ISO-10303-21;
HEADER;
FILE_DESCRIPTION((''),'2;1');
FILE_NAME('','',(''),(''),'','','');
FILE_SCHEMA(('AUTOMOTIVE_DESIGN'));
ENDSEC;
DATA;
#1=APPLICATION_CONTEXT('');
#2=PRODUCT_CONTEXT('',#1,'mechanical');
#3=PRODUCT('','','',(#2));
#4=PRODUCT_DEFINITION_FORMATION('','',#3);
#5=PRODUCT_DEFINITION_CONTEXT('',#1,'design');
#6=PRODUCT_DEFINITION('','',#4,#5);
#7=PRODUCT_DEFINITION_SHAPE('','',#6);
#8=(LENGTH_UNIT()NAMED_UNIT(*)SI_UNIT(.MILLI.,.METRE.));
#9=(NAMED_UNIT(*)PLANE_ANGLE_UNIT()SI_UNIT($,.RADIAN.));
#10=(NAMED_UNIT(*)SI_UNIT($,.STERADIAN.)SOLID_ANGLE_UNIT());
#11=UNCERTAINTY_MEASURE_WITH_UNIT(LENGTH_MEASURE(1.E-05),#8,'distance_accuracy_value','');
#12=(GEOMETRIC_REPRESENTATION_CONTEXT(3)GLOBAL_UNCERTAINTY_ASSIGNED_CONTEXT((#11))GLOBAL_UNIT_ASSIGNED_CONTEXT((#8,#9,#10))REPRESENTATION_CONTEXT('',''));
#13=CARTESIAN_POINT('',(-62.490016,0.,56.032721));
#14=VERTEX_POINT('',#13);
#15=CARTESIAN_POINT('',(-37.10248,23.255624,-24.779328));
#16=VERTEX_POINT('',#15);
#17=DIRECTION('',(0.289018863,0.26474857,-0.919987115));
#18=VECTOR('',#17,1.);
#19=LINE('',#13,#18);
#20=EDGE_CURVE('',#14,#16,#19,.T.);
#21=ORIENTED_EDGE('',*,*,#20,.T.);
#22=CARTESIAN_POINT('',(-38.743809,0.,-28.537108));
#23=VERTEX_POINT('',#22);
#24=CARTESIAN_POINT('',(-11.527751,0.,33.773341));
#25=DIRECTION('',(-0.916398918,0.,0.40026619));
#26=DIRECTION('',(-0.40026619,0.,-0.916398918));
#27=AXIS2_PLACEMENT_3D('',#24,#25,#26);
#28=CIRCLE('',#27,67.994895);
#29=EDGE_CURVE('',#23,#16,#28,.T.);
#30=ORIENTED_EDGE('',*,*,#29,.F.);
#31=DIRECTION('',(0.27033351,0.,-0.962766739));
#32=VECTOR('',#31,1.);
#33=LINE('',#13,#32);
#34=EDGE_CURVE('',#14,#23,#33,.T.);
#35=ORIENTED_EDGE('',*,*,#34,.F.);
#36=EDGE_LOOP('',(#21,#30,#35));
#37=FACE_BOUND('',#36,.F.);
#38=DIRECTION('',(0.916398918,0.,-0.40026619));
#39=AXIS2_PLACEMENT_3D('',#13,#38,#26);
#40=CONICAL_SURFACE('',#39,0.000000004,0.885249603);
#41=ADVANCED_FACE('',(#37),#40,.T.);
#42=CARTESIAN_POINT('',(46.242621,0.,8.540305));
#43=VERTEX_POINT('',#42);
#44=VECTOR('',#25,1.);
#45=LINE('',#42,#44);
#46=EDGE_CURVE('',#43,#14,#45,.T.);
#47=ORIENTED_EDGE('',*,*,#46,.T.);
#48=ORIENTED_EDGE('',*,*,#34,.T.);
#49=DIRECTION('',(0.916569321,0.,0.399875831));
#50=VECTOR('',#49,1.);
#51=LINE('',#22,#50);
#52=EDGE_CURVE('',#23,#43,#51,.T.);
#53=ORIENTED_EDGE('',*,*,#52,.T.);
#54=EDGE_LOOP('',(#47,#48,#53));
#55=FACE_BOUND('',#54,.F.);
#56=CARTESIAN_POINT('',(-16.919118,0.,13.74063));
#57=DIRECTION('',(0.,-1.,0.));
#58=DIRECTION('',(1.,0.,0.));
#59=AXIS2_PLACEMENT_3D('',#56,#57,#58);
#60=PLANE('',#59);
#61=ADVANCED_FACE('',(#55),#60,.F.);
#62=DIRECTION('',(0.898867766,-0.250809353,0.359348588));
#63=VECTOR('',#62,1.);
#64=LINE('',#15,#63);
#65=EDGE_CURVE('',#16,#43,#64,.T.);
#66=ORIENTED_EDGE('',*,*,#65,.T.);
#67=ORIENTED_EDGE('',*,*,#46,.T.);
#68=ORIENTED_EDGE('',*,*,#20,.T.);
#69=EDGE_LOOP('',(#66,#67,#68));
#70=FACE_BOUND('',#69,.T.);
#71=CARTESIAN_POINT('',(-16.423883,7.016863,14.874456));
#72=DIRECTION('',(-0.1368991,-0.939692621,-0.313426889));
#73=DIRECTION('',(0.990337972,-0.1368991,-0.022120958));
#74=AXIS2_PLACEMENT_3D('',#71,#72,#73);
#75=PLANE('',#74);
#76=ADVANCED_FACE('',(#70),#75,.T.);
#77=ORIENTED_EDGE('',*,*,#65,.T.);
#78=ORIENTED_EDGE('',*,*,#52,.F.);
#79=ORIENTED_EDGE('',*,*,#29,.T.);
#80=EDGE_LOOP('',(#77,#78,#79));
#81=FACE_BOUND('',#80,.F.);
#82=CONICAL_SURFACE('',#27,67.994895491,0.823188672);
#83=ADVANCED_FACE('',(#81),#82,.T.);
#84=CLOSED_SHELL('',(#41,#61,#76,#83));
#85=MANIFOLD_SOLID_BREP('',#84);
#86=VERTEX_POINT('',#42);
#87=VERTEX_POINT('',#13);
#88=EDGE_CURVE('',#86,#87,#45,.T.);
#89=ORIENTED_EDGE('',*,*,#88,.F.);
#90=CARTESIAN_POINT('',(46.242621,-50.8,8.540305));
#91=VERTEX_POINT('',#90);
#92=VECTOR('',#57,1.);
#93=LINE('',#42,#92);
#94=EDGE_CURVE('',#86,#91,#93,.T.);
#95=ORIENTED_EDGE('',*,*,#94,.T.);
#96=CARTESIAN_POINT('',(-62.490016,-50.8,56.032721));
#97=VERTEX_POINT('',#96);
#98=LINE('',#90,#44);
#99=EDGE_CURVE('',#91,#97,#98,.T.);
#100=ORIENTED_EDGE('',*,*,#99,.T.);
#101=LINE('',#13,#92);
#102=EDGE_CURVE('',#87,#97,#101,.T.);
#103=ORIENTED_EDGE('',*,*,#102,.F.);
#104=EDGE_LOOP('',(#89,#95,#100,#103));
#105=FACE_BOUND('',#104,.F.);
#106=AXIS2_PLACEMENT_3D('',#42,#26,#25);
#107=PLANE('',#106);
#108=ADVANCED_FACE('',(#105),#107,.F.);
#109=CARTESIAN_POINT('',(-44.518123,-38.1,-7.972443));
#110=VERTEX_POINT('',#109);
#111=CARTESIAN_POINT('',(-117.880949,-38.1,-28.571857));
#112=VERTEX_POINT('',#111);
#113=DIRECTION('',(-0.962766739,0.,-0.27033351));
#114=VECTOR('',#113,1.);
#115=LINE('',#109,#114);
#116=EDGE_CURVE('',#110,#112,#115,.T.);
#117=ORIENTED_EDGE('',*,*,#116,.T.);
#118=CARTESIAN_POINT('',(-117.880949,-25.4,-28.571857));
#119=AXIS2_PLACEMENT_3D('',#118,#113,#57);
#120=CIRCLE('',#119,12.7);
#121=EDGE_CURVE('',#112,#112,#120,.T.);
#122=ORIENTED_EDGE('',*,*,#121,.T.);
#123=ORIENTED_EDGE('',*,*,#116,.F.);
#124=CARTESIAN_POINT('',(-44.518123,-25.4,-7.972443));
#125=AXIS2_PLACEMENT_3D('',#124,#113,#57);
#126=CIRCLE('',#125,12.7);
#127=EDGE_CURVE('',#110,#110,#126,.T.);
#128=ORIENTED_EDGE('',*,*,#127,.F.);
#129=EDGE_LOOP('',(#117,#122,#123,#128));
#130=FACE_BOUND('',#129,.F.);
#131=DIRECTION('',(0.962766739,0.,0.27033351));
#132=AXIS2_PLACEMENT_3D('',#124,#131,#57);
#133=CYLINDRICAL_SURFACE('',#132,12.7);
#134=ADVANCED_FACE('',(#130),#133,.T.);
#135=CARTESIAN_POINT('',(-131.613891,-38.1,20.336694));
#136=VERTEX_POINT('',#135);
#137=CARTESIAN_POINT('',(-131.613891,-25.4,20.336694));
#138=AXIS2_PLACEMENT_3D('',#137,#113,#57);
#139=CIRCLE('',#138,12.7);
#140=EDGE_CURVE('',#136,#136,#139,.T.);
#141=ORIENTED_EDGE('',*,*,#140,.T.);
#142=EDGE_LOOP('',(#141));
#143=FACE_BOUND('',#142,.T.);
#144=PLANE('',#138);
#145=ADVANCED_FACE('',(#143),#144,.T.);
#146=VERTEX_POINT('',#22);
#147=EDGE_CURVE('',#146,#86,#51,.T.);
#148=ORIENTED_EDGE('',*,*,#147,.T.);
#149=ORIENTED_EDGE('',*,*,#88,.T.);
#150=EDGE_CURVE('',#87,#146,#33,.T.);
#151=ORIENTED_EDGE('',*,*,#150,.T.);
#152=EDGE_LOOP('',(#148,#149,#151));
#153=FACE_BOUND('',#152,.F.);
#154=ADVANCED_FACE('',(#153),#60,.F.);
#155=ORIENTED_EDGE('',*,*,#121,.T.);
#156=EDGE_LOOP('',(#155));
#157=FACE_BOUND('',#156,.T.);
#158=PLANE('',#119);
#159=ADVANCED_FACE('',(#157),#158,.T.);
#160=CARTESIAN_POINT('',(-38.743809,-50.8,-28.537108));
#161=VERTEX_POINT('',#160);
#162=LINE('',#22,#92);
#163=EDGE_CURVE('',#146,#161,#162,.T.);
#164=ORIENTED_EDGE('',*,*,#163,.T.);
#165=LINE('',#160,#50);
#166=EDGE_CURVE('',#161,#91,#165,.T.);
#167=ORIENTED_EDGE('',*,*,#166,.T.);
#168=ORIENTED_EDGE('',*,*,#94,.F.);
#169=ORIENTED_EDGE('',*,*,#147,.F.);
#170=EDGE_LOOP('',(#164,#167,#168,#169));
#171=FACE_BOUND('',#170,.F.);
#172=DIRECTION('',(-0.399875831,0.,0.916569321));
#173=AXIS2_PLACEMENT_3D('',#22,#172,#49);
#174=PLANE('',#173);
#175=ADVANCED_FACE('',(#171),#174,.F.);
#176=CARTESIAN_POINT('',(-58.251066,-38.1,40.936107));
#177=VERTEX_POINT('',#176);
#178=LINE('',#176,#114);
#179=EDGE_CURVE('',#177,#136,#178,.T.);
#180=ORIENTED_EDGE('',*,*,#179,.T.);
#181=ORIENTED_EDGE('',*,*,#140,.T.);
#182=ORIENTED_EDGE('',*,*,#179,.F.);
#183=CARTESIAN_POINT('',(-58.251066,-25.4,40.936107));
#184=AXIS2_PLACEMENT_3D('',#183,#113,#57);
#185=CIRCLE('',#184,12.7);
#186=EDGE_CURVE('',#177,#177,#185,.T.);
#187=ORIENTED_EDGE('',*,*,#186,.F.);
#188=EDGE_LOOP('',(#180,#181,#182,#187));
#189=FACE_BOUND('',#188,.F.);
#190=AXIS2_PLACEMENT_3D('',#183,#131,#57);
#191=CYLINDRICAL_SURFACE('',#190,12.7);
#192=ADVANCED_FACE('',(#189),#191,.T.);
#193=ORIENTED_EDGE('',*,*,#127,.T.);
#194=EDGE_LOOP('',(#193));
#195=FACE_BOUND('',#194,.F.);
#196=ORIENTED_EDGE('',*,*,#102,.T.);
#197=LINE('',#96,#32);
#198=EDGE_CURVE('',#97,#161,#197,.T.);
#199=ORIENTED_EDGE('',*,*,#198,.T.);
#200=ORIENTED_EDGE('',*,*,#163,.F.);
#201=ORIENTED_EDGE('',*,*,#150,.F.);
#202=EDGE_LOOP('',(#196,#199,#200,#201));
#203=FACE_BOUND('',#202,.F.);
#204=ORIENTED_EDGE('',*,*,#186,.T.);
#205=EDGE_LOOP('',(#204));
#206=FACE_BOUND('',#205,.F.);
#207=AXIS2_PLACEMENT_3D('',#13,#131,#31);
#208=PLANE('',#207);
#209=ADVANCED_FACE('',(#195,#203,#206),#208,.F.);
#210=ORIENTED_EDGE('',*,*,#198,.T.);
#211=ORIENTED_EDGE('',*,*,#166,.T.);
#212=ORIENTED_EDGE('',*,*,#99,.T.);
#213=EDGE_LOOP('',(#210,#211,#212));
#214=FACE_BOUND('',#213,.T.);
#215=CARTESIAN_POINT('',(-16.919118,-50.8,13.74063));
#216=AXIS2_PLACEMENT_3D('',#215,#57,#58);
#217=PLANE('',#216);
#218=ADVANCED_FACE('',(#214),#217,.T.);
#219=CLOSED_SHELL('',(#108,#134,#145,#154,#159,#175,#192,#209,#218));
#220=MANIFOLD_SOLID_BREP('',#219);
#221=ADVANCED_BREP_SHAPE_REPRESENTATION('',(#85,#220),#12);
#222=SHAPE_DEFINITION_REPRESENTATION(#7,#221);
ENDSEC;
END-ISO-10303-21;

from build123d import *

# Parameters (mm, degrees)
F1_DEPTH = 50.8
F2_ANGLE = 340
F3_R     = 12.7
F4_DEPTH = 76.2


with BuildPart() as f1:
    # F0 (on Front) → F1 (new body)
    with BuildSketch(Plane.XZ):
        Polygon((46.242620796, 8.540305309), (-62.490016222, 56.0327209532), (-38.7438088655, -28.5371076316), align=None)
    extrude(amount=F1_DEPTH)

    # F3 (on face) → F4 (join)
    with BuildSketch(Plane(origin=(-43.3397024287, 0, -12.1692757081), x_dir=(0, -1, 0), z_dir=(-0.9627667388, 0, -0.2703335102))):
        with Locations((25.4, 4.3591374225)):
            Circle(F3_R)
        with Locations((25.4, 55.1591374225)):
            Circle(F3_R)
    extrude(amount=F4_DEPTH)


with BuildPart() as f2:
    # F0 (on Front) → F2 (revolve)
    with BuildSketch(Plane.XZ):
        Polygon((46.242620796, 8.540305309), (-62.490016222, 56.0327209532), (-38.7438088655, -28.5371076316), align=None)
    revolve(axis=Axis((-8.123697713, 0, 32.2865131311), (-0.9163989182, 0, 0.4002661898)), revolution_arc=F2_ANGLE)


solid = Compound([f1.part, f2.part])
